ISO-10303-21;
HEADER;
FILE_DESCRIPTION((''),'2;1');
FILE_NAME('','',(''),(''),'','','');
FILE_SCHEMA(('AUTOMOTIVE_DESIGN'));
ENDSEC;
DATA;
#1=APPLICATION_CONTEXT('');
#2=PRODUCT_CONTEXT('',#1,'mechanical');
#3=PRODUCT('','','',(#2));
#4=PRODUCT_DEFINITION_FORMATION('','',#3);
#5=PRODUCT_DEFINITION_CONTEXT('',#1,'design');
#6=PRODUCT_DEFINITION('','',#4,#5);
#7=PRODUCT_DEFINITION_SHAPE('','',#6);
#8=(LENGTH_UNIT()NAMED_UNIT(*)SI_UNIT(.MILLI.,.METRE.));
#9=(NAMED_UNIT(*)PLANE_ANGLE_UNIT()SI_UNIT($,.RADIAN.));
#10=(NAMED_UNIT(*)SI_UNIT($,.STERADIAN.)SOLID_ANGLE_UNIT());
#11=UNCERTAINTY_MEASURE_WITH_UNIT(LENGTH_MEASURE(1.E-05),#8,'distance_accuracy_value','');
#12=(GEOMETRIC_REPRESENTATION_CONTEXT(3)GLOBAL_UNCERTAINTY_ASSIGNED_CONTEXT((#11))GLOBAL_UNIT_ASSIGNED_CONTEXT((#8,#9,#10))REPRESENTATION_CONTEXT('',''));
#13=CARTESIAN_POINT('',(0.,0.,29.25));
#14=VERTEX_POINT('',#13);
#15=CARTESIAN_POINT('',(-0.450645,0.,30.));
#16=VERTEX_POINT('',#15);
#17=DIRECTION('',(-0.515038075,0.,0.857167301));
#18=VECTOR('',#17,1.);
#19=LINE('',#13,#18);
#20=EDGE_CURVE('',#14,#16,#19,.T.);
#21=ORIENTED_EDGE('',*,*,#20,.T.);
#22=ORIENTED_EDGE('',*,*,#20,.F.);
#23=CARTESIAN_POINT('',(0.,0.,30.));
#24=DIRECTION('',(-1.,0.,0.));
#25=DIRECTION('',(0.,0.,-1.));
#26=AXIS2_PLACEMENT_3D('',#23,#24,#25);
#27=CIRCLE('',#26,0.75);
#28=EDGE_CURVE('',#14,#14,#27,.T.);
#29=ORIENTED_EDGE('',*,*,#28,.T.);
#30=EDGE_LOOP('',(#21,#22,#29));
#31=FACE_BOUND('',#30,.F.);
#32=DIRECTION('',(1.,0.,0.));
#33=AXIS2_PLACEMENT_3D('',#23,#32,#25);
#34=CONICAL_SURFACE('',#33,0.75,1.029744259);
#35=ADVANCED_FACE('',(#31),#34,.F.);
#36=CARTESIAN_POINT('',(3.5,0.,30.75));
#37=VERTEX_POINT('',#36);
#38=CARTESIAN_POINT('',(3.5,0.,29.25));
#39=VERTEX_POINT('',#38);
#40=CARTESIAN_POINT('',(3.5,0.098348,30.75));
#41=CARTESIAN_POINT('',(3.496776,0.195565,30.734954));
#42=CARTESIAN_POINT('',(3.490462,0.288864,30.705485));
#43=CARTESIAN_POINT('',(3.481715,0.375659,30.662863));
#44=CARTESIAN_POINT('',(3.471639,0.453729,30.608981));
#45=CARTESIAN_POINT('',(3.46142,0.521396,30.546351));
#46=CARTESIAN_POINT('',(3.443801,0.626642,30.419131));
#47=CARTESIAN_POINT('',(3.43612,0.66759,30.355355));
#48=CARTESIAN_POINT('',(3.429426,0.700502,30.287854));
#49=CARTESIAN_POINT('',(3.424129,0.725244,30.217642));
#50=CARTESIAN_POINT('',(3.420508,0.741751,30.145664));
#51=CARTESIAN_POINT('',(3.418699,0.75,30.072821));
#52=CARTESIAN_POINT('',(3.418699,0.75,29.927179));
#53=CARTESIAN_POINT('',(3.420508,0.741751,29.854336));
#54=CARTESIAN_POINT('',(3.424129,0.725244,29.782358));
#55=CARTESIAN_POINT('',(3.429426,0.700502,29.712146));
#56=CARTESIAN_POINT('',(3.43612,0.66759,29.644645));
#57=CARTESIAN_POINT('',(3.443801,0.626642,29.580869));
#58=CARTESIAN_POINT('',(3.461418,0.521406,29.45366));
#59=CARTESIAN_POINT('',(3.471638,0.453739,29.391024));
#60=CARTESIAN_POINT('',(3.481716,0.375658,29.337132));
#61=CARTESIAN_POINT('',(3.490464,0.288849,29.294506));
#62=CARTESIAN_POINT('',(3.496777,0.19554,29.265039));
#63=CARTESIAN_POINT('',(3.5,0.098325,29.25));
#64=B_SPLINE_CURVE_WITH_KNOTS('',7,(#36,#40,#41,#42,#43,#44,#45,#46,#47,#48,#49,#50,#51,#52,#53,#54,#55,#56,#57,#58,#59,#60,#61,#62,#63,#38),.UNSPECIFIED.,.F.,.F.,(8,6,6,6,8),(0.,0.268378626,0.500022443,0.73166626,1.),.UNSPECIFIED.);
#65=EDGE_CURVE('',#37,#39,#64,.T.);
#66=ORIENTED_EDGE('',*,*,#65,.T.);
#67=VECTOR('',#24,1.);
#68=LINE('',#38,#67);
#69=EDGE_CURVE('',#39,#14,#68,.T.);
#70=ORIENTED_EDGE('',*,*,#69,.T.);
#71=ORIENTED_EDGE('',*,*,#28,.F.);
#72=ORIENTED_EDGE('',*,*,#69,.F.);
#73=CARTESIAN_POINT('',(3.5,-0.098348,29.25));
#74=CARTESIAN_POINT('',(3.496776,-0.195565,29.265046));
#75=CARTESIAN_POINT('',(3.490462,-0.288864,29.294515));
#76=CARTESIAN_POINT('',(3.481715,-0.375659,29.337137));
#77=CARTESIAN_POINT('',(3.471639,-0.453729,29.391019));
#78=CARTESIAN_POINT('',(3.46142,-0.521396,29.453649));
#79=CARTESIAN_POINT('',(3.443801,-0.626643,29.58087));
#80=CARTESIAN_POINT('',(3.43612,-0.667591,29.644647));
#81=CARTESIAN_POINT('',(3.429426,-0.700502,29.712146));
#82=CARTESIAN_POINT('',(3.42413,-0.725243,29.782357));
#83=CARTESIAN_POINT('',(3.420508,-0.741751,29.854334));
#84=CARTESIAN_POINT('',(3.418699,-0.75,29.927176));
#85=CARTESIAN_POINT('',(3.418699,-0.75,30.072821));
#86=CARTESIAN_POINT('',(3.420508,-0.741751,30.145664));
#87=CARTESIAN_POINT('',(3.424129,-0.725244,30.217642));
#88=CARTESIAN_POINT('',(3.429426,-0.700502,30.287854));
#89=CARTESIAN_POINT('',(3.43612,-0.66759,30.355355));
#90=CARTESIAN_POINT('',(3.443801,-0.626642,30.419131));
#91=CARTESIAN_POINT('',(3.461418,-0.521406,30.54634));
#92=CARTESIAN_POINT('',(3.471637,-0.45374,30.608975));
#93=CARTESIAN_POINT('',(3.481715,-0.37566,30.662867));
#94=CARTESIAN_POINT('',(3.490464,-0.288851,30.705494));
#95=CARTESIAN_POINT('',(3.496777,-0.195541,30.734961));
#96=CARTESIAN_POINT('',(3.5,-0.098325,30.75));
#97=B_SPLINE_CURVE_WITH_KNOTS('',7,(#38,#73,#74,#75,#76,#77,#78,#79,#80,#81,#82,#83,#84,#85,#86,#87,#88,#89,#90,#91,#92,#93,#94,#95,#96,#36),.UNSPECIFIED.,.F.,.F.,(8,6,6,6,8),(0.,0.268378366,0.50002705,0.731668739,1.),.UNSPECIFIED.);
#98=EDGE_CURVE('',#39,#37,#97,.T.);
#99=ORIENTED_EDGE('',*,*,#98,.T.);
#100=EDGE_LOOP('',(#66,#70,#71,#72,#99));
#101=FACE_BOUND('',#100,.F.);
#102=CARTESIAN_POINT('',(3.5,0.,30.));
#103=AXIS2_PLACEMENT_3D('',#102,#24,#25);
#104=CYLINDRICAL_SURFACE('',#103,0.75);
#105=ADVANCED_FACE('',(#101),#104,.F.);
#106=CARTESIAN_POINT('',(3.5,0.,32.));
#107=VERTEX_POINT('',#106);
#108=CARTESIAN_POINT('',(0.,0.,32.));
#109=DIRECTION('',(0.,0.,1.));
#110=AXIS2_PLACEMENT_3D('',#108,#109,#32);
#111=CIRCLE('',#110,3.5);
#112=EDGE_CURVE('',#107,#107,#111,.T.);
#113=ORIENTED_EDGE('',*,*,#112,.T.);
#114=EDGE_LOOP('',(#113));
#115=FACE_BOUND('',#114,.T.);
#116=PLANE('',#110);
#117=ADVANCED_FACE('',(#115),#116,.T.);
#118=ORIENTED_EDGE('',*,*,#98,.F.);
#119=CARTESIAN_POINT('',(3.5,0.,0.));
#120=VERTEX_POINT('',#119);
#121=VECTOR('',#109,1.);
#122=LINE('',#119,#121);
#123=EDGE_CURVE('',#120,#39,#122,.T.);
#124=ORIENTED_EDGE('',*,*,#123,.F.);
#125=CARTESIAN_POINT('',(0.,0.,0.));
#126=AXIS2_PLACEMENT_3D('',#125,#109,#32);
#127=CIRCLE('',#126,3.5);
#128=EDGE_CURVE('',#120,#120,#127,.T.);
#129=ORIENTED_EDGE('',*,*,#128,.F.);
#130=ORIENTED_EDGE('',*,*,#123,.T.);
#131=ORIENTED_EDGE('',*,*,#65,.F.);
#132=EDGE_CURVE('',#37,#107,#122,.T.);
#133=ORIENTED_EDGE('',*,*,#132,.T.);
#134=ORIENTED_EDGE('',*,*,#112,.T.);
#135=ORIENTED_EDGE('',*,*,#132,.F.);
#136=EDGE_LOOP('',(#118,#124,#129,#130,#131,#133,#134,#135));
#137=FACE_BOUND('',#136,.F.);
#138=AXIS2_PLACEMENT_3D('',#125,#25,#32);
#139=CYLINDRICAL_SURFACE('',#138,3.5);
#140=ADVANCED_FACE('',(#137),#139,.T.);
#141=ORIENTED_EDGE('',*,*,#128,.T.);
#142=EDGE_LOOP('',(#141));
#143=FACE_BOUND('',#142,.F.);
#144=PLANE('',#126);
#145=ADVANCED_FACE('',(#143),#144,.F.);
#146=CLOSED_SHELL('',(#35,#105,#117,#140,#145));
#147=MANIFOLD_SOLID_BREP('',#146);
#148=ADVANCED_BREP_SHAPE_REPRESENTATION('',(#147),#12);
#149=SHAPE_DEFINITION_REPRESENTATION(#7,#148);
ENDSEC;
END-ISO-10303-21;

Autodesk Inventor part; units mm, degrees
ref_plane "XZ Plane" through (0, 0, 0) normal (0, 1, 0) x (-1, 0, 0)
ref_plane "XY Plane" through (0, 0, 0) normal (0, 0, 1) x (1, 0, 0)
sketch "Sketch1" plane through (0, 0, 0) normal (0, 0, 1) x (1, 0, 0)
  circle A0 centre (0, 0) radius 3.5
  dimension "d0" = 7
extrude "Extrusion1" add sketch "Sketch1" along normal blind 32
ref_plane "Work Plane1" through (3.5, 0, 0) normal (1, 0, 0) x (0, 1, 0)
sketch "Sketch2" plane through (3.5, 0, 0) normal (1, 0, 0) x (0, 1, 0)
  line L0 (3.5, 32) -> (-3.5, 32) projected
  point P0 (0, 0)
  point P1 (0, 30)
  dimension "d3" = 2
hole "Hole1" at (3.5, 0, 30) direction (-1, 0, 0) diameter 1.5 depth 3.5 tip angle 118
properties material "Steel, Mild"
